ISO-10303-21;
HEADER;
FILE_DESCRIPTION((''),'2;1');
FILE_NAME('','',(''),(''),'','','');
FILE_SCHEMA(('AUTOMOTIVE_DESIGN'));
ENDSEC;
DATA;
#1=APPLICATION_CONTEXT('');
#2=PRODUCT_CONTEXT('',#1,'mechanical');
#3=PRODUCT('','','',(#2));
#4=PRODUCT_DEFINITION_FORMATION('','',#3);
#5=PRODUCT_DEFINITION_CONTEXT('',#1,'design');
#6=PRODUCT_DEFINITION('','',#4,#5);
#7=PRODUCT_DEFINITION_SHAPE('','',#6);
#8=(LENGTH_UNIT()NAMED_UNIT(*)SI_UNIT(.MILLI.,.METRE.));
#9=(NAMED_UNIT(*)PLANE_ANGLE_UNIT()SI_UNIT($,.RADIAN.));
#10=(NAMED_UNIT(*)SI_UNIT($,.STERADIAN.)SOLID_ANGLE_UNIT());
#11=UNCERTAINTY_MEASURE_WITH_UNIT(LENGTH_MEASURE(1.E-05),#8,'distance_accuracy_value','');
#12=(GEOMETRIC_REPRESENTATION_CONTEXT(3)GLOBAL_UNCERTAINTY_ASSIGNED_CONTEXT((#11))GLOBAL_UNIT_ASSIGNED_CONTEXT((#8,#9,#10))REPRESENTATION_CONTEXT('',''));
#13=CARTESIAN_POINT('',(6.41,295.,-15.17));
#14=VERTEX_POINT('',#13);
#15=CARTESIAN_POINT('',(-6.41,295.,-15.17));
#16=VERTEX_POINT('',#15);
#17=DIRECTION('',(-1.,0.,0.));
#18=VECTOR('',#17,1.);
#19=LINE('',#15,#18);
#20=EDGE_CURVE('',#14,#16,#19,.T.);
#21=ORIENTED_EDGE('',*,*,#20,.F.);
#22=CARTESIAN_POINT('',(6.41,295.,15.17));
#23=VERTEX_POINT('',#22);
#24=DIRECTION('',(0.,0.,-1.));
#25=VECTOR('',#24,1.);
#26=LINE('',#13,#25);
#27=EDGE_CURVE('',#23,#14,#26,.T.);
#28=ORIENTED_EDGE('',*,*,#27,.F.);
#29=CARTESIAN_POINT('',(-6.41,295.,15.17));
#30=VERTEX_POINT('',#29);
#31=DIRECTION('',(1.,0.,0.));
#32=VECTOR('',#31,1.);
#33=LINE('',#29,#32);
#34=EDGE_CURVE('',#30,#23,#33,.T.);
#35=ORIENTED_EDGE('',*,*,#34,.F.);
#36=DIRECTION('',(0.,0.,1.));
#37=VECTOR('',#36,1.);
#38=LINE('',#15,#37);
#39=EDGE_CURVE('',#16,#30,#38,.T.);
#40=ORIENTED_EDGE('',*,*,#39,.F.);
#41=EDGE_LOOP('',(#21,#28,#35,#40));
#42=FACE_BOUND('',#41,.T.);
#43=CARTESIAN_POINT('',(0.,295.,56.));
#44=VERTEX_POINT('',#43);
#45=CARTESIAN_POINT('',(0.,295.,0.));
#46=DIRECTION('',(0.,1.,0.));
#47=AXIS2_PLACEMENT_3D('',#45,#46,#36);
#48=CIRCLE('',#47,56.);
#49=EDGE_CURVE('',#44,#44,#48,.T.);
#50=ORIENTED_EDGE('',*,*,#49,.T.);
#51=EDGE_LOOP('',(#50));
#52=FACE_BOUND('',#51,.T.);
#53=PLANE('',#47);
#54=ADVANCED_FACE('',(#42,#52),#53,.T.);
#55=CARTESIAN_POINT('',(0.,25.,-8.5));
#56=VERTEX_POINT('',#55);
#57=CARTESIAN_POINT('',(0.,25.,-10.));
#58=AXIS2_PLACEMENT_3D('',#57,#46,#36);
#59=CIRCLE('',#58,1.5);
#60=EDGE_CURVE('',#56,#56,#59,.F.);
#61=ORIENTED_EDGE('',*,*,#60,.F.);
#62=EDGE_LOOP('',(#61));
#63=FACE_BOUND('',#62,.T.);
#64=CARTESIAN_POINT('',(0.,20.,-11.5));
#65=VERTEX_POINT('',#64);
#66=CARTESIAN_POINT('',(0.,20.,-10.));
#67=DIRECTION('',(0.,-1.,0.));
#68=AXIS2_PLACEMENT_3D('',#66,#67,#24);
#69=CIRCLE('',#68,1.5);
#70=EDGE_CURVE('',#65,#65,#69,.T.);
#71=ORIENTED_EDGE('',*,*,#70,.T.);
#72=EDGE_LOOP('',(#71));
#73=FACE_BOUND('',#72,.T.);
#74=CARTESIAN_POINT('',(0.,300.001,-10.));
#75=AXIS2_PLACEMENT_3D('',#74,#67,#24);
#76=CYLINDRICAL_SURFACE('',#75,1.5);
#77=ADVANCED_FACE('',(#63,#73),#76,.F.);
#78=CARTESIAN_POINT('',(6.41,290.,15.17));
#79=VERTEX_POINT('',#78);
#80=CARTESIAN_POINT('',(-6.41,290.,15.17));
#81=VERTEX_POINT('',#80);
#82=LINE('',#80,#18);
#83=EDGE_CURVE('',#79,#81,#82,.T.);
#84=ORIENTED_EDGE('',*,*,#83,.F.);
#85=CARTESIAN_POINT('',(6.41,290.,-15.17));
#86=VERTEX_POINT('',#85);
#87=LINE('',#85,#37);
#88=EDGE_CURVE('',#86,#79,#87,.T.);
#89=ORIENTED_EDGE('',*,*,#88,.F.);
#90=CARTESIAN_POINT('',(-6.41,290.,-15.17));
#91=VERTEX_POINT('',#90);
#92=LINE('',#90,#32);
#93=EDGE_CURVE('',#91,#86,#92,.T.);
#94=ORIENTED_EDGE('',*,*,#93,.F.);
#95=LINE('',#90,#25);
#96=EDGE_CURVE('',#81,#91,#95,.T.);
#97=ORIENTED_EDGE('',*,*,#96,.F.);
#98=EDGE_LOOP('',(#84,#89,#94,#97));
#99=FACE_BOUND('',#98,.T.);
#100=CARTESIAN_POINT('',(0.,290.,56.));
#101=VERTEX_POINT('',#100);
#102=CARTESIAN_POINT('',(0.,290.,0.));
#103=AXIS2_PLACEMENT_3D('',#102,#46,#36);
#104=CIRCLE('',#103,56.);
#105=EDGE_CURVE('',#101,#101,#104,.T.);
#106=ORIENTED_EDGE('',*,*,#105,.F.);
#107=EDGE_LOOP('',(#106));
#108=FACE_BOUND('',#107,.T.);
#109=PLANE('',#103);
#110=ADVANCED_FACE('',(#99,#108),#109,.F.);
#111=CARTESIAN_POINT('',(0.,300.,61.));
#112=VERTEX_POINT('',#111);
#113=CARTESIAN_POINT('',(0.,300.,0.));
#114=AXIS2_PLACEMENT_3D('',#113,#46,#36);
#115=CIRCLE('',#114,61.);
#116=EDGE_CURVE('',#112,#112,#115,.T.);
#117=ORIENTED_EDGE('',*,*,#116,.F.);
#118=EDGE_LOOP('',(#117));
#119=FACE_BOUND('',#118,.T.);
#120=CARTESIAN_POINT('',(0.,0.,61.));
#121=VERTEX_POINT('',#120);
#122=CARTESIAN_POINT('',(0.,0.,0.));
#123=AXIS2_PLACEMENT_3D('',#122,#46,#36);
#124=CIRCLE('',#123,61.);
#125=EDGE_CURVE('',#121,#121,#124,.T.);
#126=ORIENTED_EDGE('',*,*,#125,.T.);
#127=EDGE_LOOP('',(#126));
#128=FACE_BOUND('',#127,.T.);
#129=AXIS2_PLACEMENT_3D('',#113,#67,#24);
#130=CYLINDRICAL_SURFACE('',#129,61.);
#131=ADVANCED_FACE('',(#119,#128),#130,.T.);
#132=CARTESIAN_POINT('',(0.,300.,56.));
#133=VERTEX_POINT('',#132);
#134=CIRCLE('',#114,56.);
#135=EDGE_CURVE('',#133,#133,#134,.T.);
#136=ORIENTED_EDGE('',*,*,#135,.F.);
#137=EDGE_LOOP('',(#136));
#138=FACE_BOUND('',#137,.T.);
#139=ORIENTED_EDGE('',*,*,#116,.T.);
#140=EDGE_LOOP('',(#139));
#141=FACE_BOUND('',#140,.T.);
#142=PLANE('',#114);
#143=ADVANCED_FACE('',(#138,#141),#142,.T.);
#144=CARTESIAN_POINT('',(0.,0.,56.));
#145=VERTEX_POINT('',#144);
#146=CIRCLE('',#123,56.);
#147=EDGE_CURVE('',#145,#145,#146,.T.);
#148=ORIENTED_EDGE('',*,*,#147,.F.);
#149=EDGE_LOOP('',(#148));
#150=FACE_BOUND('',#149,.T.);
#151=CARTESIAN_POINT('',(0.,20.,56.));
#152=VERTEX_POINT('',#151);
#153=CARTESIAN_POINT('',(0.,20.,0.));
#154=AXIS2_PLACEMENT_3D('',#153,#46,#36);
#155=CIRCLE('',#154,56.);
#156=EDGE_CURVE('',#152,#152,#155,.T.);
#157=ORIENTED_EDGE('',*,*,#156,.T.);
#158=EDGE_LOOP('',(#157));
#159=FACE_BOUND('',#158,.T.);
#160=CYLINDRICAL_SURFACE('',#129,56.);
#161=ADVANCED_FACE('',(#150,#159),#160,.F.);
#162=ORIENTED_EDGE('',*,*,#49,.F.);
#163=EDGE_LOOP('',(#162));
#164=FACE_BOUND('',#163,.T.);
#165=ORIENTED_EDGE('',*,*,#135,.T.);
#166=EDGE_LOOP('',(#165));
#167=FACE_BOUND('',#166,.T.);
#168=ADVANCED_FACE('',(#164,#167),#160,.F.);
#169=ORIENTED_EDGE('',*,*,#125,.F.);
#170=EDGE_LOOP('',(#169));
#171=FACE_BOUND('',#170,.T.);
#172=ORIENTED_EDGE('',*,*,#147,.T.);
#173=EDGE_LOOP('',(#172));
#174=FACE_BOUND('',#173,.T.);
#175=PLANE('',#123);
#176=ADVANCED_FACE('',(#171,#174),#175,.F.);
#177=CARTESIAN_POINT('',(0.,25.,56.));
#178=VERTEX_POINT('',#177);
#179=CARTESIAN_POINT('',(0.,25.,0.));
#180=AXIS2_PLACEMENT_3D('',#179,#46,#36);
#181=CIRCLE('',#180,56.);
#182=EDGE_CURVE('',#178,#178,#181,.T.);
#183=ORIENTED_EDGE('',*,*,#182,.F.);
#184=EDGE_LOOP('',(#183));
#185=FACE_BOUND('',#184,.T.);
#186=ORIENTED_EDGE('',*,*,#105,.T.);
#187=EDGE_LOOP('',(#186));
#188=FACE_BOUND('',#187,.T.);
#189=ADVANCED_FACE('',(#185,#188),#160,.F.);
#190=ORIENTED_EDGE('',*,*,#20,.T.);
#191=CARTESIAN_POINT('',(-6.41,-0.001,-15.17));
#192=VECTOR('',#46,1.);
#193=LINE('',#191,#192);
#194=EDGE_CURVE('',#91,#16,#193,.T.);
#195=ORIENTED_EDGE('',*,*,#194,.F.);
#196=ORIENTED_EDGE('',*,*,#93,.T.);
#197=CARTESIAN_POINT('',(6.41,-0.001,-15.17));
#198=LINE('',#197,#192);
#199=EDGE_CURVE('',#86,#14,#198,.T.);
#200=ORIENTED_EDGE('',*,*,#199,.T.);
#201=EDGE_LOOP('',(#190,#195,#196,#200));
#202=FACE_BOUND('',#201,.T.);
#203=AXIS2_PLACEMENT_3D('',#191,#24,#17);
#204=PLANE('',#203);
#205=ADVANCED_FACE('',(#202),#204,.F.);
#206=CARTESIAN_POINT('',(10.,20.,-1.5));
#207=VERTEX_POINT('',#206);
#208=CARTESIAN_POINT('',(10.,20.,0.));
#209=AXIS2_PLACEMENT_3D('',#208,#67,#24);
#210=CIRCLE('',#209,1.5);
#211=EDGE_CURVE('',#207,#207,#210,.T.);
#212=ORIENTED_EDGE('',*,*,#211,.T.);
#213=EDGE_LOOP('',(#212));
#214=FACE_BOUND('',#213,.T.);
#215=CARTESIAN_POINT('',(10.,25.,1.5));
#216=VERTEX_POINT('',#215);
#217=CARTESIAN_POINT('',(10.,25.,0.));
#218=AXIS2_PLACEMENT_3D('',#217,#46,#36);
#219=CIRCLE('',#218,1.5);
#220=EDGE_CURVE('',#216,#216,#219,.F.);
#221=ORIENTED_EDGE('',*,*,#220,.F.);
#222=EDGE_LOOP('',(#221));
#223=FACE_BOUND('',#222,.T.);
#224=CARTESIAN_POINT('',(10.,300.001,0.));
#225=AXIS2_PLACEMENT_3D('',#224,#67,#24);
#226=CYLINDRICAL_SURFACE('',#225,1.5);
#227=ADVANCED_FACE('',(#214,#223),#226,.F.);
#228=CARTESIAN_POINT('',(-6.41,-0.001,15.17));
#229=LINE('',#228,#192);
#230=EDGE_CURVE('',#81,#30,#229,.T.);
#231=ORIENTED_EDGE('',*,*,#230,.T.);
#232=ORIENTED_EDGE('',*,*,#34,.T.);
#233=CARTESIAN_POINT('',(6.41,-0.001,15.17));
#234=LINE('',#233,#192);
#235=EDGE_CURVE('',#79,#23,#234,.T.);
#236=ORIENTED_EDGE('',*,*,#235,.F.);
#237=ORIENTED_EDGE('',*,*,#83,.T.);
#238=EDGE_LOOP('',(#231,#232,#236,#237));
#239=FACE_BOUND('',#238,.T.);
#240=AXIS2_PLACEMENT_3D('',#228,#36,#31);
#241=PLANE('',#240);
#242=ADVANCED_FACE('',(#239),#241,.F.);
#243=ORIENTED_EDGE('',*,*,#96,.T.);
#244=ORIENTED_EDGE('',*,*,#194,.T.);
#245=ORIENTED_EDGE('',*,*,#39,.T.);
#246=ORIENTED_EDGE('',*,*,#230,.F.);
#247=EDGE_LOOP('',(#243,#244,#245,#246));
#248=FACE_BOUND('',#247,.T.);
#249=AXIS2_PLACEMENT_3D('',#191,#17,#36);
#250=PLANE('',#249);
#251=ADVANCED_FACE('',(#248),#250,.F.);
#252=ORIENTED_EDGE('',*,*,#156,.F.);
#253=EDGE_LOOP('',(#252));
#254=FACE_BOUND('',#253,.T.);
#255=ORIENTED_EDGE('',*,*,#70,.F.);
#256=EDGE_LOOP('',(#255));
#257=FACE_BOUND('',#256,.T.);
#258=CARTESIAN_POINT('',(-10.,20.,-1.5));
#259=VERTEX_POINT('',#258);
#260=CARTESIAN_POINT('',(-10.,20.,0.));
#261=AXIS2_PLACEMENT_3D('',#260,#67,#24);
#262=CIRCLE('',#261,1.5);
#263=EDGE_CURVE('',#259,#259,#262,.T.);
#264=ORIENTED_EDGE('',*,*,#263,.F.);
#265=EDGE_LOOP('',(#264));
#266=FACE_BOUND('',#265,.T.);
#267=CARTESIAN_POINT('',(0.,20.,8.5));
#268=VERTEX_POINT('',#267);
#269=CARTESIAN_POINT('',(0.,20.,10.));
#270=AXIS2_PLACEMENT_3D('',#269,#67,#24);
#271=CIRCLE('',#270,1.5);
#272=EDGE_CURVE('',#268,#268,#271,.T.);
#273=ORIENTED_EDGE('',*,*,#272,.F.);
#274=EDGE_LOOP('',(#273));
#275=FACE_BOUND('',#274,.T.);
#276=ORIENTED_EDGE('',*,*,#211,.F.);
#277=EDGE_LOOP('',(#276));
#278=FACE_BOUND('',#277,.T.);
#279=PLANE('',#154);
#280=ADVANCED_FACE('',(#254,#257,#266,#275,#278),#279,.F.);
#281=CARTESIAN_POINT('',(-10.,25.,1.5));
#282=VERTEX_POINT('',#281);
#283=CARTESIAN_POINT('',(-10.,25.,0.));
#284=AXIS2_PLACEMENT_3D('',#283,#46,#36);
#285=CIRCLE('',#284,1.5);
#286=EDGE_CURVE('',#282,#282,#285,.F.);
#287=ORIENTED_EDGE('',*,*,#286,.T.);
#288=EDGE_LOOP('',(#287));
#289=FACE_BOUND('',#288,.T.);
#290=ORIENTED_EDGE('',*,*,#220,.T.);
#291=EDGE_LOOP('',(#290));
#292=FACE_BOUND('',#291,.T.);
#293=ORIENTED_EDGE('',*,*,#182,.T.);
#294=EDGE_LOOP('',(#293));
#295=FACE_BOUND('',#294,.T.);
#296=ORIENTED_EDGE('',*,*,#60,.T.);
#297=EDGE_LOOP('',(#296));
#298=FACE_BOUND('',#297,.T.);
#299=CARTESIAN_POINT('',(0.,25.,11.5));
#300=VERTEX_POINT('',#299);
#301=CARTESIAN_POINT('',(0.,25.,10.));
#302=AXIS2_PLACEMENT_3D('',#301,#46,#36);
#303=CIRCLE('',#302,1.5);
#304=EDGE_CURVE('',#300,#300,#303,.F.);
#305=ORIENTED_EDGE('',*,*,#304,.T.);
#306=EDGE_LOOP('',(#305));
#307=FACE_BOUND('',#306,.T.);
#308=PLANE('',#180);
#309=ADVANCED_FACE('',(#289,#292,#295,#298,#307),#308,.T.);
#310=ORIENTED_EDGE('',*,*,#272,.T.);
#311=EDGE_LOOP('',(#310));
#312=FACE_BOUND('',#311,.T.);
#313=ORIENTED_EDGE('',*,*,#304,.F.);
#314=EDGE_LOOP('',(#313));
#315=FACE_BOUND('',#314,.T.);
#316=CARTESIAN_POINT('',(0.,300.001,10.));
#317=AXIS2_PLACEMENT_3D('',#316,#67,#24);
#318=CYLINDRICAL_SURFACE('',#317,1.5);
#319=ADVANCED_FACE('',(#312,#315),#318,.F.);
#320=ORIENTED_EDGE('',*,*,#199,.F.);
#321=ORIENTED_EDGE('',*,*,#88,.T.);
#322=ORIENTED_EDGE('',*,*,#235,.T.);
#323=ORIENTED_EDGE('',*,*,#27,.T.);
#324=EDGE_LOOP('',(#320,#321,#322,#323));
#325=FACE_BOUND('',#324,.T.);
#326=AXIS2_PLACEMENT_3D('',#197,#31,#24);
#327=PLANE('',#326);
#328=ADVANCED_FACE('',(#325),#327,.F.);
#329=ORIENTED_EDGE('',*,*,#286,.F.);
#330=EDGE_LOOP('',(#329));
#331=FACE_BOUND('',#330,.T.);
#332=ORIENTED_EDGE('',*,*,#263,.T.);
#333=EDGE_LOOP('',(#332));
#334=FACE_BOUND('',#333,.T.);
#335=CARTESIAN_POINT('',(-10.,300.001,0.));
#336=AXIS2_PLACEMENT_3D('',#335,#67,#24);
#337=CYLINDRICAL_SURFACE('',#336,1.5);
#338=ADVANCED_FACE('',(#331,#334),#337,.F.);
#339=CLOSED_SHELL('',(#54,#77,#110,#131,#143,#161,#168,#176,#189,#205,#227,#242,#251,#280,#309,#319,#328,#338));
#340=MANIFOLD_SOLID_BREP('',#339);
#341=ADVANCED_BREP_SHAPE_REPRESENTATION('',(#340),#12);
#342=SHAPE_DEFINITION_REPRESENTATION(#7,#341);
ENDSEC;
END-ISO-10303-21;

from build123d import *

# Parameters (mm, degrees)
SKETCH1_R           = 61
SKETCH1_R_2         = 56
BOSS_EXTRUDE1_DEPTH = 300
SKETCH3_R           = 56
BOSS_EXTRUDE2_DEPTH = 5
CUT_EXTRUDE1_REACH  = 294.988
SKETCH4_R           = 1.5
SKETCH5_R           = 56
BOSS_EXTRUDE3_DEPTH = 5
CUT_EXTRUDE2_REACH  = 309.355
SKETCH6_W           = 12.82
SKETCH6_H           = 30.34


with BuildPart() as part:
    # Sketch1 → Boss-Extrude1 (new body)
    with BuildSketch(Plane(origin=(0, 0, 0), x_dir=(1, 0, 0), z_dir=(0, 1, 0))):
        with Locations(Location((0, 0, 0), (0, 0, 270))):
            Circle(SKETCH1_R)
        with Locations(Location((0, 0, 0), (0, 0, 270))):
            Circle(SKETCH1_R_2, mode=Mode.SUBTRACT)
    extrude(amount=BOSS_EXTRUDE1_DEPTH)

    # Sketch3 → Boss-Extrude2 (add)
    with BuildSketch(Plane(origin=(0, 20, 0), x_dir=(1, 0, 0), z_dir=(0, 1, 0))):
        with Locations(Location((0, 0, 0), (0, 0, 270))):
            Circle(SKETCH3_R)
    extrude(amount=BOSS_EXTRUDE2_DEPTH)

    # Sketch4 → Cut-Extrude1 (cut, up to next)
    with BuildSketch(Plane.XZ.offset(-20), mode=Mode.PRIVATE) as cut_extrude1_sk1:
        with Locations(Location((10, 0, 0), (0, 0, 270))):
            Circle(SKETCH4_R)
    cut_extrude1_tool1 = extrude(cut_extrude1_sk1.sketch, amount=-CUT_EXTRUDE1_REACH, mode=Mode.PRIVATE) & part.part
    # Sketch4 → Cut-Extrude1 (cut, up to next)
    with BuildSketch(Plane.XZ.offset(-20), mode=Mode.PRIVATE) as cut_extrude1_sk2:
        with Locations(Location((0, 10, 0), (0, 0, 270))):
            Circle(SKETCH4_R)
    cut_extrude1_tool2 = extrude(cut_extrude1_sk2.sketch, amount=-CUT_EXTRUDE1_REACH, mode=Mode.PRIVATE) & part.part
    # Sketch4 → Cut-Extrude1 (cut, up to next)
    with BuildSketch(Plane.XZ.offset(-20), mode=Mode.PRIVATE) as cut_extrude1_sk3:
        with Locations(Location((-10, 0, 0), (0, 0, 270))):
            Circle(SKETCH4_R)
    cut_extrude1_tool3 = extrude(cut_extrude1_sk3.sketch, amount=-CUT_EXTRUDE1_REACH, mode=Mode.PRIVATE) & part.part
    # Sketch4 → Cut-Extrude1 (cut, up to next)
    with BuildSketch(Plane.XZ.offset(-20), mode=Mode.PRIVATE) as cut_extrude1_sk4:
        with Locations(Location((0, -10, 0), (0, 0, 270))):
            Circle(SKETCH4_R)
    cut_extrude1_tool4 = extrude(cut_extrude1_sk4.sketch, amount=-CUT_EXTRUDE1_REACH, mode=Mode.PRIVATE) & part.part
    add(cut_extrude1_tool1.solids().sort_by_distance((10, 20, 0))[0], mode=Mode.SUBTRACT)
    add(cut_extrude1_tool2.solids().sort_by_distance((0, 20, 10))[0], mode=Mode.SUBTRACT)
    add(cut_extrude1_tool3.solids().sort_by_distance((-10, 20, 0))[0], mode=Mode.SUBTRACT)
    add(cut_extrude1_tool4.solids().sort_by_distance((0, 20, -10))[0], mode=Mode.SUBTRACT)

    # Sketch5 → Boss-Extrude3 (add)
    with BuildSketch(Plane(origin=(0, 290, 0), x_dir=(1, 0, 0), z_dir=(0, 1, 0))):
        with Locations(Location((0, 0, 0), (0, 0, 270))):
            Circle(SKETCH5_R)
    extrude(amount=BOSS_EXTRUDE3_DEPTH)

    # Sketch6 → Cut-Extrude2 (cut, up to next)
    with BuildSketch(Plane(origin=(0, 295, 0), x_dir=(1, 0, 0), z_dir=(0, 1, 0)), mode=Mode.PRIVATE) as cut_extrude2_sk1:
        Rectangle(SKETCH6_W, SKETCH6_H)
    cut_extrude2_tool1 = extrude(cut_extrude2_sk1.sketch, amount=-CUT_EXTRUDE2_REACH, mode=Mode.PRIVATE) & part.part
    add(cut_extrude2_tool1.solids().sort_by_distance((0, 295, 0))[0], mode=Mode.SUBTRACT)


solid = part.part
